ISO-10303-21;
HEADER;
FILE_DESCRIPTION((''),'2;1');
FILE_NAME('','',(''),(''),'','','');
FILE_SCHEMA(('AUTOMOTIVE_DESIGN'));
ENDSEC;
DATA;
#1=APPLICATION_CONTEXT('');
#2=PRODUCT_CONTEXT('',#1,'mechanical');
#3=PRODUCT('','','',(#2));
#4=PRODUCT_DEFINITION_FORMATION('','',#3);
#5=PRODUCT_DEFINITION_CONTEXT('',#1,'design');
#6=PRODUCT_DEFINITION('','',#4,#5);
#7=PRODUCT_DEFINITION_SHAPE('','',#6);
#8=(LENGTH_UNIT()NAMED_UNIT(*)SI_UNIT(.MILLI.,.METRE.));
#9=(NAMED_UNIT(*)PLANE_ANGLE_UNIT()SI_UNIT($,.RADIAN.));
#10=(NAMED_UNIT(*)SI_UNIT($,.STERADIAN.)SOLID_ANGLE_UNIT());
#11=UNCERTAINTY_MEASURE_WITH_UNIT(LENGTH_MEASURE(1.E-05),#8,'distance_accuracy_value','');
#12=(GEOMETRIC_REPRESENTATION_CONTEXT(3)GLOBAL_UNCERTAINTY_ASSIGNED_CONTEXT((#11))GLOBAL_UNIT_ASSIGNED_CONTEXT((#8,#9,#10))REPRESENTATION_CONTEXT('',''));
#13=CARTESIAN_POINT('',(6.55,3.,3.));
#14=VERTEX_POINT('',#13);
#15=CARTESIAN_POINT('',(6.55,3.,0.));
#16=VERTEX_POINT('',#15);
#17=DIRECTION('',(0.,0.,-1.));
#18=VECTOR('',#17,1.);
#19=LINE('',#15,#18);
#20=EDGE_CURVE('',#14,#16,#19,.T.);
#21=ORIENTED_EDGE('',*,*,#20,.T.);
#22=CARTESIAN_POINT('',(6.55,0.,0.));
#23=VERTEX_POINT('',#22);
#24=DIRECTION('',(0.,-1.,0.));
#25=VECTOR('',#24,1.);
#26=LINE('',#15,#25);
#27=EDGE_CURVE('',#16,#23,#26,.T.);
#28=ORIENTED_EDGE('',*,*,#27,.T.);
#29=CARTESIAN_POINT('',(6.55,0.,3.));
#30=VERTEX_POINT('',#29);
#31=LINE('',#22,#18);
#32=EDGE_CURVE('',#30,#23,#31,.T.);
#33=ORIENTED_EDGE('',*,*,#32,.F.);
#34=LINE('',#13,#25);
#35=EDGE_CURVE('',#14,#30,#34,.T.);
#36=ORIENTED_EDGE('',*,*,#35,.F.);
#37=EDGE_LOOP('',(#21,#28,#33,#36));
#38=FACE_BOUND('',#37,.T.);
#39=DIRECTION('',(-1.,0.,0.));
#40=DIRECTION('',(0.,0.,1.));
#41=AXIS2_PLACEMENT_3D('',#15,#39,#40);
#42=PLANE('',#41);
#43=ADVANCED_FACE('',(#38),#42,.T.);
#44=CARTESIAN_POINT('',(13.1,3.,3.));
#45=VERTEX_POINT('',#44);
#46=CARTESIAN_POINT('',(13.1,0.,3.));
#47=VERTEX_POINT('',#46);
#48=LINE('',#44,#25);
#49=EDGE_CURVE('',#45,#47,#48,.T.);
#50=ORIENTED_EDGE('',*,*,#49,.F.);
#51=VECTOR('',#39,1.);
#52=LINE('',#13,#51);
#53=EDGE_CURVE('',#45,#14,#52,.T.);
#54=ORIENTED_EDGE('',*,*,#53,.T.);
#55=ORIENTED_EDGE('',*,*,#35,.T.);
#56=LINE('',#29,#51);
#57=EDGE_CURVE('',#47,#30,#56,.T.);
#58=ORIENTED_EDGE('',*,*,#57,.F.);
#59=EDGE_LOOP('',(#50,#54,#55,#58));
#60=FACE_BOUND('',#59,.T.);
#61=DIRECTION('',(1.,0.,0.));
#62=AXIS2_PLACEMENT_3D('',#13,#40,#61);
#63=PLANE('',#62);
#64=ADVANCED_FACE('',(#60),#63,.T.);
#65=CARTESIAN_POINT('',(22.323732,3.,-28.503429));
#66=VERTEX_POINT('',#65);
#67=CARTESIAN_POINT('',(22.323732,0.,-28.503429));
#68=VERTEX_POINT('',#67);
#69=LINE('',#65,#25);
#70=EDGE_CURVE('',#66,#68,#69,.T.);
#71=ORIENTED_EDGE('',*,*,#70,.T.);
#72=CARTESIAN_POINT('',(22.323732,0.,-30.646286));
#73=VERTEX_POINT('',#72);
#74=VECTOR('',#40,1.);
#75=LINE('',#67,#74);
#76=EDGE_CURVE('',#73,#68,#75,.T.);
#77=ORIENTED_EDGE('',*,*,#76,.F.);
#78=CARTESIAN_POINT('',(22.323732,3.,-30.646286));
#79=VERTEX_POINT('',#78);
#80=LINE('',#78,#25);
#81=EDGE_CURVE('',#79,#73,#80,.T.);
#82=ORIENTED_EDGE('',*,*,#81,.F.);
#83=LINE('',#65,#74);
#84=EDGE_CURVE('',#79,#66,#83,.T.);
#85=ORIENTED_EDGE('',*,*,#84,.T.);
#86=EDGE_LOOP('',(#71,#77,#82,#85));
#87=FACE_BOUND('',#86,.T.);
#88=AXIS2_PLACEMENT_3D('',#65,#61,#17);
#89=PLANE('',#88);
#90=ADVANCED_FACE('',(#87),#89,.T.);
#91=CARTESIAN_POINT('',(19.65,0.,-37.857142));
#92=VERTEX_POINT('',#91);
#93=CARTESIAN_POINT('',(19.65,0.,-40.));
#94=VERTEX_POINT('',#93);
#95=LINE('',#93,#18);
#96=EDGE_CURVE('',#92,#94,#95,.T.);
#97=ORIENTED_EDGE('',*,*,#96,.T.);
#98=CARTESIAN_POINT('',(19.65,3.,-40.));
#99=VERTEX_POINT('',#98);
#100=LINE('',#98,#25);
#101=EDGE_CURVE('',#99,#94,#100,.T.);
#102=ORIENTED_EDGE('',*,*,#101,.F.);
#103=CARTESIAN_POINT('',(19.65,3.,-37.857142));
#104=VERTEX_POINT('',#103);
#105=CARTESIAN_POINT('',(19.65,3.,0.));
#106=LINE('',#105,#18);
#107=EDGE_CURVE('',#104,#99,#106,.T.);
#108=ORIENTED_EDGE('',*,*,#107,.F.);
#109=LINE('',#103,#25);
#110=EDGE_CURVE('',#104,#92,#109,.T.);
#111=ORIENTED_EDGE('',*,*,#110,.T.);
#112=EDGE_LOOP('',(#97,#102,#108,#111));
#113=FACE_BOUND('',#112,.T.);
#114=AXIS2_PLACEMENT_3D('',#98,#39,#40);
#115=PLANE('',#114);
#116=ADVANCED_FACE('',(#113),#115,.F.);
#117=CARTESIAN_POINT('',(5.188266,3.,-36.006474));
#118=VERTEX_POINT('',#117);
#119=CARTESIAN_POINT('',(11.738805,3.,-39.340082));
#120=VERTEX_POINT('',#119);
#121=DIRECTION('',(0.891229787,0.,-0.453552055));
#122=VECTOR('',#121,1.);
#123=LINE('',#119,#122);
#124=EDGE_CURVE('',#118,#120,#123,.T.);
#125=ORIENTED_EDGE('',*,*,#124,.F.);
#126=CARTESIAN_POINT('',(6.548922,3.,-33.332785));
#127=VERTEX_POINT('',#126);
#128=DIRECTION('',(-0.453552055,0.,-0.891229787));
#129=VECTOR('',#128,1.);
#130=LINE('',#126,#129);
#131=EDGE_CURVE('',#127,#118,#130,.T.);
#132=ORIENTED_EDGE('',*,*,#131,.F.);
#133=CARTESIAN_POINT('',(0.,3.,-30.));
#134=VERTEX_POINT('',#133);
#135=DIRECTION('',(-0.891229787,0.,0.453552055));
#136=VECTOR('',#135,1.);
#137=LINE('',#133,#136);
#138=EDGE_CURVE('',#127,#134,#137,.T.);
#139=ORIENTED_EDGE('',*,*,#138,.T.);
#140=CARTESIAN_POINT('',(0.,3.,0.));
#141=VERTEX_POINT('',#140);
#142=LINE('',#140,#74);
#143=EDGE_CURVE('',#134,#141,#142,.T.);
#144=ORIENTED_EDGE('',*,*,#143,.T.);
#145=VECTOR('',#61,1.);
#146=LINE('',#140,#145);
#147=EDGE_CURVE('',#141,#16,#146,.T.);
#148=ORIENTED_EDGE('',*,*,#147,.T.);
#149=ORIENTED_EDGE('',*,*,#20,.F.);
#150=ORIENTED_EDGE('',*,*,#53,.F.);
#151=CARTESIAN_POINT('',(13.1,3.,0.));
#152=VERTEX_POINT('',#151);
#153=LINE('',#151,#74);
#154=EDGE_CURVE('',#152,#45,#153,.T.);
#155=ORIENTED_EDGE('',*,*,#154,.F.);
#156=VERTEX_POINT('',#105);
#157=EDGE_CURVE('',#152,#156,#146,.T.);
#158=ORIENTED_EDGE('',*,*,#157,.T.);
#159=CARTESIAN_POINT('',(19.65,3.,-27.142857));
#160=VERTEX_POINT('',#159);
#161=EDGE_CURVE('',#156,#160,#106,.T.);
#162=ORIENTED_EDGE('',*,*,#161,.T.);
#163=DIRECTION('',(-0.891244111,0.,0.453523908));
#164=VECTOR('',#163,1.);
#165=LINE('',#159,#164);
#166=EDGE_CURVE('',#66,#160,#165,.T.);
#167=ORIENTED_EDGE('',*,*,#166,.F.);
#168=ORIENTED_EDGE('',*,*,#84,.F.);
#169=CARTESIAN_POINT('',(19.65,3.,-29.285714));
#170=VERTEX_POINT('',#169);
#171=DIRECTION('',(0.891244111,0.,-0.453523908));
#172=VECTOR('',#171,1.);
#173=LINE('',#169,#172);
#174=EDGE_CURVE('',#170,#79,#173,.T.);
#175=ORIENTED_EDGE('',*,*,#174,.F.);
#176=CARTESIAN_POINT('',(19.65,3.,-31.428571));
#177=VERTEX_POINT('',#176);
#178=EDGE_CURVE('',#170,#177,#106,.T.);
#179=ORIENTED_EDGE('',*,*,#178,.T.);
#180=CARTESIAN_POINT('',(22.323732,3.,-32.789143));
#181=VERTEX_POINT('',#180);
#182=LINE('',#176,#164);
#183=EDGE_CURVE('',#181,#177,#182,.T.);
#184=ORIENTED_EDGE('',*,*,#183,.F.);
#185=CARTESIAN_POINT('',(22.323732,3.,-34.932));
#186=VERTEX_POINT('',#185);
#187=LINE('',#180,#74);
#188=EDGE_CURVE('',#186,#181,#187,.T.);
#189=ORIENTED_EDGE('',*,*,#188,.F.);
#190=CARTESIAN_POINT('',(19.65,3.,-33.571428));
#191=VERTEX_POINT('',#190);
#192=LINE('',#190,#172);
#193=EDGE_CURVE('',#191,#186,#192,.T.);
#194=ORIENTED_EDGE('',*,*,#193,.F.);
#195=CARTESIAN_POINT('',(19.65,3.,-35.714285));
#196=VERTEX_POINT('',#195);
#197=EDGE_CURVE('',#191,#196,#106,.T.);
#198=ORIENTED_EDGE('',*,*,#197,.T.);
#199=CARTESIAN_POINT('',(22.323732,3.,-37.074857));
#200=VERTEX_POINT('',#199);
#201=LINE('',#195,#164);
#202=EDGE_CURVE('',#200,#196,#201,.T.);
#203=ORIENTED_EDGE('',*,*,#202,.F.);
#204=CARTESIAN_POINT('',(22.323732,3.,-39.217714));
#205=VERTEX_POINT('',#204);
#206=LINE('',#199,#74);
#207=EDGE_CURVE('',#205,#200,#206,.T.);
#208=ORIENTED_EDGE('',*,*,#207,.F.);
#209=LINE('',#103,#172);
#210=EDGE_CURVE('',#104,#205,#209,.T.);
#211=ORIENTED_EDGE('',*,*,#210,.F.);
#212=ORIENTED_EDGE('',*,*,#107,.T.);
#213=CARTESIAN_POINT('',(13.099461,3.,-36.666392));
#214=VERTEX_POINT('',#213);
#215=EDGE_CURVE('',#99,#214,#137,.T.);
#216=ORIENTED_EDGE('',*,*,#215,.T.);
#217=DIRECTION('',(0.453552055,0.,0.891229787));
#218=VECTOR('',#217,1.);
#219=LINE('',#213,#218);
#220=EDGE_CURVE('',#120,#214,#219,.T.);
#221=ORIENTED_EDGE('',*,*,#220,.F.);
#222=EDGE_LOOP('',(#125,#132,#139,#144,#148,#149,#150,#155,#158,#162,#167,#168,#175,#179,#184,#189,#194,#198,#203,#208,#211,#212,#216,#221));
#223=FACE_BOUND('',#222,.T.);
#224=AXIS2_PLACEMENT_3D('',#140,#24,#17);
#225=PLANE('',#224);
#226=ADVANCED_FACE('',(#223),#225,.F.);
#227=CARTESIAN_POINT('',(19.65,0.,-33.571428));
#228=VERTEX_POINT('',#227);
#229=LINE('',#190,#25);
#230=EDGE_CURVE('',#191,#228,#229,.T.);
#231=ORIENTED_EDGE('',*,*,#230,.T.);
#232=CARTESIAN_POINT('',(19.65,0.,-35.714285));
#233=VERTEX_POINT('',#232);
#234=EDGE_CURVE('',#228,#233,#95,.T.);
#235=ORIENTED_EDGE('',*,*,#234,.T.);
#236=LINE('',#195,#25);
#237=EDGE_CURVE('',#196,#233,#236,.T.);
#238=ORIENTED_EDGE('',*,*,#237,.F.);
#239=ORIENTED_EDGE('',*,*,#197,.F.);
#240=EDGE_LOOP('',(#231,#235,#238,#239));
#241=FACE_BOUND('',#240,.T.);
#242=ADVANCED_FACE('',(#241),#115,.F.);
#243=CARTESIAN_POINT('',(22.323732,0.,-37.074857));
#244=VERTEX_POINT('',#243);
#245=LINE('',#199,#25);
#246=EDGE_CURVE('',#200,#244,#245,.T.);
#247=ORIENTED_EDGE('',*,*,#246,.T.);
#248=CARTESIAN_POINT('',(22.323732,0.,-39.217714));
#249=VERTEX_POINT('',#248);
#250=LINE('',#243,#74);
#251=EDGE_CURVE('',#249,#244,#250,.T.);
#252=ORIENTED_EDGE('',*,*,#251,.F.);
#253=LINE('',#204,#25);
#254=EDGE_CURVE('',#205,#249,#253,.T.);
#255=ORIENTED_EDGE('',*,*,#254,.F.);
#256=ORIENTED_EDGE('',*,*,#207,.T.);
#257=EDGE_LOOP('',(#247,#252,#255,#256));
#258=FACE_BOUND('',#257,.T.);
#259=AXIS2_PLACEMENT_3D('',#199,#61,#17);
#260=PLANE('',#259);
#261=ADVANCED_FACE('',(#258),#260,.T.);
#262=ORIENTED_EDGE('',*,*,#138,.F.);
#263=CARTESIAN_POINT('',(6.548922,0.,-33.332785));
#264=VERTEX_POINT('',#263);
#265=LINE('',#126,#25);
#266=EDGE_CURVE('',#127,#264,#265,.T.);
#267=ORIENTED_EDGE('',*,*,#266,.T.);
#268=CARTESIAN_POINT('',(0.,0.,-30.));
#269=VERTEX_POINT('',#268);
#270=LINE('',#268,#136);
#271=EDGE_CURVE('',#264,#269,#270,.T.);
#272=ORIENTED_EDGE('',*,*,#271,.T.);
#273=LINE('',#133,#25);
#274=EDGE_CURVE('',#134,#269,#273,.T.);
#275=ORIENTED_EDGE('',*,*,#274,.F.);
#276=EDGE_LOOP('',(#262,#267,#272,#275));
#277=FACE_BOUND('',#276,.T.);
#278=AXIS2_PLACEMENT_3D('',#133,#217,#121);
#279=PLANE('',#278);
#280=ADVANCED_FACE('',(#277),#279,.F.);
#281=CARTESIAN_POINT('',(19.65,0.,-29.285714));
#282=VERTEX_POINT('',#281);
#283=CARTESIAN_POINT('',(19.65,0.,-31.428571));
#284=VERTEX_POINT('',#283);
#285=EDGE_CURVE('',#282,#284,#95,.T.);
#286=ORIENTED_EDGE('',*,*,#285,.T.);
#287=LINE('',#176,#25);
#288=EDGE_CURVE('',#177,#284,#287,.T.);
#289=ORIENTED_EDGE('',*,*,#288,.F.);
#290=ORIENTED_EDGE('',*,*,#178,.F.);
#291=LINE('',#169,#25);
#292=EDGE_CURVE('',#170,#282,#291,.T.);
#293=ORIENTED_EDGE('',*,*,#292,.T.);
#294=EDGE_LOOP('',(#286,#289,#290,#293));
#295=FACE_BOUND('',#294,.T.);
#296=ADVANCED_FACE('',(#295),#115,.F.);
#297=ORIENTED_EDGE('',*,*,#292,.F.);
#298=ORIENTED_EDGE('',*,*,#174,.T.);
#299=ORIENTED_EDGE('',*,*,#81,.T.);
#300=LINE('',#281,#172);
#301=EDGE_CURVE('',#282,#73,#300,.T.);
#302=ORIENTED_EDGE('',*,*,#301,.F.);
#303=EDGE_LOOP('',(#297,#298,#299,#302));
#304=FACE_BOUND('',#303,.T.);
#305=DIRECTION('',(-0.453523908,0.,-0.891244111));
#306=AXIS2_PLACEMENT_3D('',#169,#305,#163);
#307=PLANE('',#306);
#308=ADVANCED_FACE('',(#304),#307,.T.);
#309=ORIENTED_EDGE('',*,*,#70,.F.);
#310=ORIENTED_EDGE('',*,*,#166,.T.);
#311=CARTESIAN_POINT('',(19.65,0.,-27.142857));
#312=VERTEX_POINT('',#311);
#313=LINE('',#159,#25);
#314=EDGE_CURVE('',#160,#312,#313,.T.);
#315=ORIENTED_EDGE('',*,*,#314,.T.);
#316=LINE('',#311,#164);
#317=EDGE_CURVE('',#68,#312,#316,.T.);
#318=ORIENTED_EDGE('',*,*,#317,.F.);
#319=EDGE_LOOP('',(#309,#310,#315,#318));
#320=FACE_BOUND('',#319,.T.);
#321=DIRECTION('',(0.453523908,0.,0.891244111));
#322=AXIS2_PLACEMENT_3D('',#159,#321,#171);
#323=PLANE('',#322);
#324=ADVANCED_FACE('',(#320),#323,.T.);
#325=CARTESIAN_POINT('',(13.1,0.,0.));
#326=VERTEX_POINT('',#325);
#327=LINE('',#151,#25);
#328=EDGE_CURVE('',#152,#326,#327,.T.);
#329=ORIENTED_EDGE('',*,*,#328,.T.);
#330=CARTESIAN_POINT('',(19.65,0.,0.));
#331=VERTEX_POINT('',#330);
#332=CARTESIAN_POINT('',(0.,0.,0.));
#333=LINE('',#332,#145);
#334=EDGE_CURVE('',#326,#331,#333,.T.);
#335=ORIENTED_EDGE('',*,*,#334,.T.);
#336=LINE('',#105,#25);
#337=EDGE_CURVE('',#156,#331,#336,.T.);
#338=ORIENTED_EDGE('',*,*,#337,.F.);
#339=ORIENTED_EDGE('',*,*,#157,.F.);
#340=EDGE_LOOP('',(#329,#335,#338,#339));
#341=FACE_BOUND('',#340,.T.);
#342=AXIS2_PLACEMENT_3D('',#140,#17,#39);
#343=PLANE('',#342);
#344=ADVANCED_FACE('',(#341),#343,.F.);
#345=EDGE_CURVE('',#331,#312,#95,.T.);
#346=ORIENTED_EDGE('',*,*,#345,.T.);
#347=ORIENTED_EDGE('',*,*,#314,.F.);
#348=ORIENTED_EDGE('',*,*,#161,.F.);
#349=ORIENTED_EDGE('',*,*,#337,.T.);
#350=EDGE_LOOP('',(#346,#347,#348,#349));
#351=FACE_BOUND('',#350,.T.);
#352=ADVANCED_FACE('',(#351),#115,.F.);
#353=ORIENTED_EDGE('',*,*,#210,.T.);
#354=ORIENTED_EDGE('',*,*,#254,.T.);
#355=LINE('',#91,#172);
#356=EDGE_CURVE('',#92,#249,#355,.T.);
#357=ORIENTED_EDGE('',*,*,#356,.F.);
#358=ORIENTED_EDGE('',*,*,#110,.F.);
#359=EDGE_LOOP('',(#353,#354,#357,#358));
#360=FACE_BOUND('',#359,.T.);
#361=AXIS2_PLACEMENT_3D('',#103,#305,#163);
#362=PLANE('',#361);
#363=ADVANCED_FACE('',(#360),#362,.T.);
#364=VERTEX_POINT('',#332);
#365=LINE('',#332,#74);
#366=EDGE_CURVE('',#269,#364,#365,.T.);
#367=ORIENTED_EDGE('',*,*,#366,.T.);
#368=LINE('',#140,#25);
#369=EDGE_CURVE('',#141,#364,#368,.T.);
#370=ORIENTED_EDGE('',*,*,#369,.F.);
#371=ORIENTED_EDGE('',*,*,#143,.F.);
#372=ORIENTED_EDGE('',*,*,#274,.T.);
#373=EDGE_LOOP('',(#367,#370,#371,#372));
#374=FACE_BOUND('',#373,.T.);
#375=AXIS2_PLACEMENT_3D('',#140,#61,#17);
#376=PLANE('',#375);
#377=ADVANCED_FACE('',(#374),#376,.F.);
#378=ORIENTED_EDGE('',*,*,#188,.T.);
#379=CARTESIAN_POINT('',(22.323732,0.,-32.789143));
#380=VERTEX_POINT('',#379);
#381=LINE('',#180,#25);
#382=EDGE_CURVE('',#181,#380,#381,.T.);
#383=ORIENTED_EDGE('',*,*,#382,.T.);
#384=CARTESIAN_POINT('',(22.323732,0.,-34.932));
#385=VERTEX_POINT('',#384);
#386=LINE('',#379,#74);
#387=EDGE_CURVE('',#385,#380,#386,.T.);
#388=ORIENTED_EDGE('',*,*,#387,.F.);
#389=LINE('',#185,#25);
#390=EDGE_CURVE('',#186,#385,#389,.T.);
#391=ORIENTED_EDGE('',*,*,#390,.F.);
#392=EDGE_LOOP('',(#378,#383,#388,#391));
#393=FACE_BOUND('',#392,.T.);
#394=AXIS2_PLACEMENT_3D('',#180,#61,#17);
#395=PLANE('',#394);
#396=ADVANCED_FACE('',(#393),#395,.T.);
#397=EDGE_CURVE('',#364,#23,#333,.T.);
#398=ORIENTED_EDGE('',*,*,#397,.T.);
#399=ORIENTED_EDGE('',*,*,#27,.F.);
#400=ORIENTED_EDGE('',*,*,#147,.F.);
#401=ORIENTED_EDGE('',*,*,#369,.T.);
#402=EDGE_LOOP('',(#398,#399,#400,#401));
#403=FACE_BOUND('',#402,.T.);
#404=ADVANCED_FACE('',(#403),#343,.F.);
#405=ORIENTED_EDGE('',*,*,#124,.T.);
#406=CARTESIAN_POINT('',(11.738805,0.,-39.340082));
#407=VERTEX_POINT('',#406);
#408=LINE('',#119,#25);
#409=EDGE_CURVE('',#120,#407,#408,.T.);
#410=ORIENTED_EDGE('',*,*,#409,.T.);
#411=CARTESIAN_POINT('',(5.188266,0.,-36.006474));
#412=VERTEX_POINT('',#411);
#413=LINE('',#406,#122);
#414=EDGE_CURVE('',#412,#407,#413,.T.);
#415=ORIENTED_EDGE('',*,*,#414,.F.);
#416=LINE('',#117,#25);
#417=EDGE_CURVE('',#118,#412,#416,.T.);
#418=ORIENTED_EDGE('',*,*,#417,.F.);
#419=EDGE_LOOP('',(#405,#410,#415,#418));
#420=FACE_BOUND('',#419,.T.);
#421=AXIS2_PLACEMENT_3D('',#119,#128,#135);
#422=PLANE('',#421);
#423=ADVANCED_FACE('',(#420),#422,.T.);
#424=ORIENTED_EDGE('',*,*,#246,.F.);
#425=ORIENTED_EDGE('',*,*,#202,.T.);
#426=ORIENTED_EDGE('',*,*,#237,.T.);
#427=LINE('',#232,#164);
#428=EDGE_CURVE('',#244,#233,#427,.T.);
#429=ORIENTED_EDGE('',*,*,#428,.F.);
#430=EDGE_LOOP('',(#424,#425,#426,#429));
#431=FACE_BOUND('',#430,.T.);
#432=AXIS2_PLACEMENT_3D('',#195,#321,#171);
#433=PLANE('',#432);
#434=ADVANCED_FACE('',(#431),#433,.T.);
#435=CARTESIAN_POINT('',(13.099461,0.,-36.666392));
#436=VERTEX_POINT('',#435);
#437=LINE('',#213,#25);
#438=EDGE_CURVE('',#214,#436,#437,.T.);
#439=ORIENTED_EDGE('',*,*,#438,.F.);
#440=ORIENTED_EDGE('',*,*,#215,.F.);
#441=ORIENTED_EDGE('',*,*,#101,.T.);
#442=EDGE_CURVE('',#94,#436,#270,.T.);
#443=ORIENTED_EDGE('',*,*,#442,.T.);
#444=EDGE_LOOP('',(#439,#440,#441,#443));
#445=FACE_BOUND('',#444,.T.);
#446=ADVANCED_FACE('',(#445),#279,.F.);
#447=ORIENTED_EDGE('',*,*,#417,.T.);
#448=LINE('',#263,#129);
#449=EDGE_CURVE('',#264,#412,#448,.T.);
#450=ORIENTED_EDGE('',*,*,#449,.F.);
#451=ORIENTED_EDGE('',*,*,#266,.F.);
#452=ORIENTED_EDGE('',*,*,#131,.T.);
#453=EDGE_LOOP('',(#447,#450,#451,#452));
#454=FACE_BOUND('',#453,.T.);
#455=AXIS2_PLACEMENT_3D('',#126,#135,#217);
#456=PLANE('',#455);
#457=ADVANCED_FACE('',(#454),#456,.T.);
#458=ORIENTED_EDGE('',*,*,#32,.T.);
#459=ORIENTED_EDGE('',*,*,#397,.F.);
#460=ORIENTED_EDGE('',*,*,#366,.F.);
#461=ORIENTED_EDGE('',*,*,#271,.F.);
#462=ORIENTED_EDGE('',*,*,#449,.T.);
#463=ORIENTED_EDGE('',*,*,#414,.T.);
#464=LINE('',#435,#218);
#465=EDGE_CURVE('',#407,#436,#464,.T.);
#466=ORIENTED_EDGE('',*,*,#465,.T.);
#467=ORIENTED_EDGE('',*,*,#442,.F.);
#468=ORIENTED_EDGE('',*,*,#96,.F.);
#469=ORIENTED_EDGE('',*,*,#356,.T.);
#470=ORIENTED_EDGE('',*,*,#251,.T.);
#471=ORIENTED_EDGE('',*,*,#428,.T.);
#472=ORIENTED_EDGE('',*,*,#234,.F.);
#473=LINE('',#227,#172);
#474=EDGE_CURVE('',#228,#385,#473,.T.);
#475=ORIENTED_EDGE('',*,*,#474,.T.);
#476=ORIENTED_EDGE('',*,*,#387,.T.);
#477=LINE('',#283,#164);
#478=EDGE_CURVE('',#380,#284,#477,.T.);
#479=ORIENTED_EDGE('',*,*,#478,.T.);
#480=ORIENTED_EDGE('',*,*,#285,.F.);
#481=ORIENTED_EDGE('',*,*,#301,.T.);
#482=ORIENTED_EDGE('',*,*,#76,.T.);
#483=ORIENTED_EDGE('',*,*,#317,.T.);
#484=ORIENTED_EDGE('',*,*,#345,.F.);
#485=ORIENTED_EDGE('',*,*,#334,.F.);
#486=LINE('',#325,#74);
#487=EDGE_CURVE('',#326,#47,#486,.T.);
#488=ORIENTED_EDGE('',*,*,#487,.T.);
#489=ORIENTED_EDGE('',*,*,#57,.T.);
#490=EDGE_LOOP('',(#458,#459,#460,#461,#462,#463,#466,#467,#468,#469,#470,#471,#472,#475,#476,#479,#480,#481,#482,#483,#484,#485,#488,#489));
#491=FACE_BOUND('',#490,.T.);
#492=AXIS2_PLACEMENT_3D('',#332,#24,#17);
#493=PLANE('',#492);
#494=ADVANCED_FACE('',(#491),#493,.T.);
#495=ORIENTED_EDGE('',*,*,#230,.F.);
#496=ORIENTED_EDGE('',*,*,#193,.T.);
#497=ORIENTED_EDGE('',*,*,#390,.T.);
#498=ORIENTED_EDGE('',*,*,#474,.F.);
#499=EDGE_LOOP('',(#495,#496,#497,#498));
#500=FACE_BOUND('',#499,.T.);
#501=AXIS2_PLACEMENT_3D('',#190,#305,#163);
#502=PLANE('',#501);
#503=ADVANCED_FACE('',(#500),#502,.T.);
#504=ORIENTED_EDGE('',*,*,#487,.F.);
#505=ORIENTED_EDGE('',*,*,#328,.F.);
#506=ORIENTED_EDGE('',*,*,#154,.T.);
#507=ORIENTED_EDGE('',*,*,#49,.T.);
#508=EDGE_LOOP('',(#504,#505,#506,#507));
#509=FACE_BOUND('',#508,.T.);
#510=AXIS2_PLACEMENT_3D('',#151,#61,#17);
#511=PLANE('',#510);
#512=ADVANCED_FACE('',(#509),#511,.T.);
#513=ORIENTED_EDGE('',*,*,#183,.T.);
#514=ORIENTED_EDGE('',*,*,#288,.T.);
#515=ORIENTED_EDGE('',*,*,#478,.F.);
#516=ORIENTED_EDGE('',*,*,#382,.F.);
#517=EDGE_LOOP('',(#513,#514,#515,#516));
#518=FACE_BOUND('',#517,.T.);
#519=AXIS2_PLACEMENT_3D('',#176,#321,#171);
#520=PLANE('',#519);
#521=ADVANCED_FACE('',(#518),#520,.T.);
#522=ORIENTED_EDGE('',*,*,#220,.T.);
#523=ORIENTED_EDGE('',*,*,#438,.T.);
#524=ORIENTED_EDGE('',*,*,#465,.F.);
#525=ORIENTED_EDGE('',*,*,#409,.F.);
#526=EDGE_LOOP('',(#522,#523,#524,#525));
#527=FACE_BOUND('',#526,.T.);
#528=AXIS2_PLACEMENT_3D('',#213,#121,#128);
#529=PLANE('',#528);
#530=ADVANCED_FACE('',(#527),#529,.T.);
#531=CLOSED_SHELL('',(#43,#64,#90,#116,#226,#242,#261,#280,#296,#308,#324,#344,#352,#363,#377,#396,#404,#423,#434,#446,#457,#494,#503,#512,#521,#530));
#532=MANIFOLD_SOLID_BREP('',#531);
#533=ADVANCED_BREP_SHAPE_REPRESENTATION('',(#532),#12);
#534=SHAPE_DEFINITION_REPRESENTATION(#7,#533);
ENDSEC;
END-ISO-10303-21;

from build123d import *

# Parameters (mm, degrees)
BOSS_EXTRUDE1_DEPTH = 3
SKETCH2_W           = 6.55
SKETCH2_H           = 3
BOSS_EXTRUDE2_DEPTH = 3


with BuildPart() as part:
    # Sketch1 → Boss-Extrude1 (new body)
    with BuildSketch(Plane(origin=(0, 0, 0), x_dir=(1, 0, 0), z_dir=(0, 1, 0))):
        Polygon((0, 30), (19.65, 40), (19.65, 30), (19.65, 0), (0, 0), align=None)
    extrude(amount=BOSS_EXTRUDE1_DEPTH)

    # Sketch2 → Boss-Extrude2 (add)
    with BuildSketch(Plane.XZ):
        Polygon((13.099461063, -36.666392399), (11.7388049, -39.340081761), (5.188265963, -36.006474159), (6.548922127, -33.332784797), align=None)
        Polygon((19.65, -27.142857143), (22.323732333, -28.503428866), (22.323732333, -30.646285866), (19.65, -29.285714143), align=None)
        Polygon((19.65, -31.428571143), (22.323732333, -32.789142866), (22.323732333, -34.931999866), (19.65, -33.571428143), align=None)
        Polygon((19.65, -35.714285143), (22.323732333, -37.074856866), (22.323732333, -39.217713866), (19.65, -37.857142143), align=None)
        with Locations((9.825, 1.5)):
            Rectangle(SKETCH2_W, SKETCH2_H)
    extrude(amount=-BOSS_EXTRUDE2_DEPTH)


solid = part.part
